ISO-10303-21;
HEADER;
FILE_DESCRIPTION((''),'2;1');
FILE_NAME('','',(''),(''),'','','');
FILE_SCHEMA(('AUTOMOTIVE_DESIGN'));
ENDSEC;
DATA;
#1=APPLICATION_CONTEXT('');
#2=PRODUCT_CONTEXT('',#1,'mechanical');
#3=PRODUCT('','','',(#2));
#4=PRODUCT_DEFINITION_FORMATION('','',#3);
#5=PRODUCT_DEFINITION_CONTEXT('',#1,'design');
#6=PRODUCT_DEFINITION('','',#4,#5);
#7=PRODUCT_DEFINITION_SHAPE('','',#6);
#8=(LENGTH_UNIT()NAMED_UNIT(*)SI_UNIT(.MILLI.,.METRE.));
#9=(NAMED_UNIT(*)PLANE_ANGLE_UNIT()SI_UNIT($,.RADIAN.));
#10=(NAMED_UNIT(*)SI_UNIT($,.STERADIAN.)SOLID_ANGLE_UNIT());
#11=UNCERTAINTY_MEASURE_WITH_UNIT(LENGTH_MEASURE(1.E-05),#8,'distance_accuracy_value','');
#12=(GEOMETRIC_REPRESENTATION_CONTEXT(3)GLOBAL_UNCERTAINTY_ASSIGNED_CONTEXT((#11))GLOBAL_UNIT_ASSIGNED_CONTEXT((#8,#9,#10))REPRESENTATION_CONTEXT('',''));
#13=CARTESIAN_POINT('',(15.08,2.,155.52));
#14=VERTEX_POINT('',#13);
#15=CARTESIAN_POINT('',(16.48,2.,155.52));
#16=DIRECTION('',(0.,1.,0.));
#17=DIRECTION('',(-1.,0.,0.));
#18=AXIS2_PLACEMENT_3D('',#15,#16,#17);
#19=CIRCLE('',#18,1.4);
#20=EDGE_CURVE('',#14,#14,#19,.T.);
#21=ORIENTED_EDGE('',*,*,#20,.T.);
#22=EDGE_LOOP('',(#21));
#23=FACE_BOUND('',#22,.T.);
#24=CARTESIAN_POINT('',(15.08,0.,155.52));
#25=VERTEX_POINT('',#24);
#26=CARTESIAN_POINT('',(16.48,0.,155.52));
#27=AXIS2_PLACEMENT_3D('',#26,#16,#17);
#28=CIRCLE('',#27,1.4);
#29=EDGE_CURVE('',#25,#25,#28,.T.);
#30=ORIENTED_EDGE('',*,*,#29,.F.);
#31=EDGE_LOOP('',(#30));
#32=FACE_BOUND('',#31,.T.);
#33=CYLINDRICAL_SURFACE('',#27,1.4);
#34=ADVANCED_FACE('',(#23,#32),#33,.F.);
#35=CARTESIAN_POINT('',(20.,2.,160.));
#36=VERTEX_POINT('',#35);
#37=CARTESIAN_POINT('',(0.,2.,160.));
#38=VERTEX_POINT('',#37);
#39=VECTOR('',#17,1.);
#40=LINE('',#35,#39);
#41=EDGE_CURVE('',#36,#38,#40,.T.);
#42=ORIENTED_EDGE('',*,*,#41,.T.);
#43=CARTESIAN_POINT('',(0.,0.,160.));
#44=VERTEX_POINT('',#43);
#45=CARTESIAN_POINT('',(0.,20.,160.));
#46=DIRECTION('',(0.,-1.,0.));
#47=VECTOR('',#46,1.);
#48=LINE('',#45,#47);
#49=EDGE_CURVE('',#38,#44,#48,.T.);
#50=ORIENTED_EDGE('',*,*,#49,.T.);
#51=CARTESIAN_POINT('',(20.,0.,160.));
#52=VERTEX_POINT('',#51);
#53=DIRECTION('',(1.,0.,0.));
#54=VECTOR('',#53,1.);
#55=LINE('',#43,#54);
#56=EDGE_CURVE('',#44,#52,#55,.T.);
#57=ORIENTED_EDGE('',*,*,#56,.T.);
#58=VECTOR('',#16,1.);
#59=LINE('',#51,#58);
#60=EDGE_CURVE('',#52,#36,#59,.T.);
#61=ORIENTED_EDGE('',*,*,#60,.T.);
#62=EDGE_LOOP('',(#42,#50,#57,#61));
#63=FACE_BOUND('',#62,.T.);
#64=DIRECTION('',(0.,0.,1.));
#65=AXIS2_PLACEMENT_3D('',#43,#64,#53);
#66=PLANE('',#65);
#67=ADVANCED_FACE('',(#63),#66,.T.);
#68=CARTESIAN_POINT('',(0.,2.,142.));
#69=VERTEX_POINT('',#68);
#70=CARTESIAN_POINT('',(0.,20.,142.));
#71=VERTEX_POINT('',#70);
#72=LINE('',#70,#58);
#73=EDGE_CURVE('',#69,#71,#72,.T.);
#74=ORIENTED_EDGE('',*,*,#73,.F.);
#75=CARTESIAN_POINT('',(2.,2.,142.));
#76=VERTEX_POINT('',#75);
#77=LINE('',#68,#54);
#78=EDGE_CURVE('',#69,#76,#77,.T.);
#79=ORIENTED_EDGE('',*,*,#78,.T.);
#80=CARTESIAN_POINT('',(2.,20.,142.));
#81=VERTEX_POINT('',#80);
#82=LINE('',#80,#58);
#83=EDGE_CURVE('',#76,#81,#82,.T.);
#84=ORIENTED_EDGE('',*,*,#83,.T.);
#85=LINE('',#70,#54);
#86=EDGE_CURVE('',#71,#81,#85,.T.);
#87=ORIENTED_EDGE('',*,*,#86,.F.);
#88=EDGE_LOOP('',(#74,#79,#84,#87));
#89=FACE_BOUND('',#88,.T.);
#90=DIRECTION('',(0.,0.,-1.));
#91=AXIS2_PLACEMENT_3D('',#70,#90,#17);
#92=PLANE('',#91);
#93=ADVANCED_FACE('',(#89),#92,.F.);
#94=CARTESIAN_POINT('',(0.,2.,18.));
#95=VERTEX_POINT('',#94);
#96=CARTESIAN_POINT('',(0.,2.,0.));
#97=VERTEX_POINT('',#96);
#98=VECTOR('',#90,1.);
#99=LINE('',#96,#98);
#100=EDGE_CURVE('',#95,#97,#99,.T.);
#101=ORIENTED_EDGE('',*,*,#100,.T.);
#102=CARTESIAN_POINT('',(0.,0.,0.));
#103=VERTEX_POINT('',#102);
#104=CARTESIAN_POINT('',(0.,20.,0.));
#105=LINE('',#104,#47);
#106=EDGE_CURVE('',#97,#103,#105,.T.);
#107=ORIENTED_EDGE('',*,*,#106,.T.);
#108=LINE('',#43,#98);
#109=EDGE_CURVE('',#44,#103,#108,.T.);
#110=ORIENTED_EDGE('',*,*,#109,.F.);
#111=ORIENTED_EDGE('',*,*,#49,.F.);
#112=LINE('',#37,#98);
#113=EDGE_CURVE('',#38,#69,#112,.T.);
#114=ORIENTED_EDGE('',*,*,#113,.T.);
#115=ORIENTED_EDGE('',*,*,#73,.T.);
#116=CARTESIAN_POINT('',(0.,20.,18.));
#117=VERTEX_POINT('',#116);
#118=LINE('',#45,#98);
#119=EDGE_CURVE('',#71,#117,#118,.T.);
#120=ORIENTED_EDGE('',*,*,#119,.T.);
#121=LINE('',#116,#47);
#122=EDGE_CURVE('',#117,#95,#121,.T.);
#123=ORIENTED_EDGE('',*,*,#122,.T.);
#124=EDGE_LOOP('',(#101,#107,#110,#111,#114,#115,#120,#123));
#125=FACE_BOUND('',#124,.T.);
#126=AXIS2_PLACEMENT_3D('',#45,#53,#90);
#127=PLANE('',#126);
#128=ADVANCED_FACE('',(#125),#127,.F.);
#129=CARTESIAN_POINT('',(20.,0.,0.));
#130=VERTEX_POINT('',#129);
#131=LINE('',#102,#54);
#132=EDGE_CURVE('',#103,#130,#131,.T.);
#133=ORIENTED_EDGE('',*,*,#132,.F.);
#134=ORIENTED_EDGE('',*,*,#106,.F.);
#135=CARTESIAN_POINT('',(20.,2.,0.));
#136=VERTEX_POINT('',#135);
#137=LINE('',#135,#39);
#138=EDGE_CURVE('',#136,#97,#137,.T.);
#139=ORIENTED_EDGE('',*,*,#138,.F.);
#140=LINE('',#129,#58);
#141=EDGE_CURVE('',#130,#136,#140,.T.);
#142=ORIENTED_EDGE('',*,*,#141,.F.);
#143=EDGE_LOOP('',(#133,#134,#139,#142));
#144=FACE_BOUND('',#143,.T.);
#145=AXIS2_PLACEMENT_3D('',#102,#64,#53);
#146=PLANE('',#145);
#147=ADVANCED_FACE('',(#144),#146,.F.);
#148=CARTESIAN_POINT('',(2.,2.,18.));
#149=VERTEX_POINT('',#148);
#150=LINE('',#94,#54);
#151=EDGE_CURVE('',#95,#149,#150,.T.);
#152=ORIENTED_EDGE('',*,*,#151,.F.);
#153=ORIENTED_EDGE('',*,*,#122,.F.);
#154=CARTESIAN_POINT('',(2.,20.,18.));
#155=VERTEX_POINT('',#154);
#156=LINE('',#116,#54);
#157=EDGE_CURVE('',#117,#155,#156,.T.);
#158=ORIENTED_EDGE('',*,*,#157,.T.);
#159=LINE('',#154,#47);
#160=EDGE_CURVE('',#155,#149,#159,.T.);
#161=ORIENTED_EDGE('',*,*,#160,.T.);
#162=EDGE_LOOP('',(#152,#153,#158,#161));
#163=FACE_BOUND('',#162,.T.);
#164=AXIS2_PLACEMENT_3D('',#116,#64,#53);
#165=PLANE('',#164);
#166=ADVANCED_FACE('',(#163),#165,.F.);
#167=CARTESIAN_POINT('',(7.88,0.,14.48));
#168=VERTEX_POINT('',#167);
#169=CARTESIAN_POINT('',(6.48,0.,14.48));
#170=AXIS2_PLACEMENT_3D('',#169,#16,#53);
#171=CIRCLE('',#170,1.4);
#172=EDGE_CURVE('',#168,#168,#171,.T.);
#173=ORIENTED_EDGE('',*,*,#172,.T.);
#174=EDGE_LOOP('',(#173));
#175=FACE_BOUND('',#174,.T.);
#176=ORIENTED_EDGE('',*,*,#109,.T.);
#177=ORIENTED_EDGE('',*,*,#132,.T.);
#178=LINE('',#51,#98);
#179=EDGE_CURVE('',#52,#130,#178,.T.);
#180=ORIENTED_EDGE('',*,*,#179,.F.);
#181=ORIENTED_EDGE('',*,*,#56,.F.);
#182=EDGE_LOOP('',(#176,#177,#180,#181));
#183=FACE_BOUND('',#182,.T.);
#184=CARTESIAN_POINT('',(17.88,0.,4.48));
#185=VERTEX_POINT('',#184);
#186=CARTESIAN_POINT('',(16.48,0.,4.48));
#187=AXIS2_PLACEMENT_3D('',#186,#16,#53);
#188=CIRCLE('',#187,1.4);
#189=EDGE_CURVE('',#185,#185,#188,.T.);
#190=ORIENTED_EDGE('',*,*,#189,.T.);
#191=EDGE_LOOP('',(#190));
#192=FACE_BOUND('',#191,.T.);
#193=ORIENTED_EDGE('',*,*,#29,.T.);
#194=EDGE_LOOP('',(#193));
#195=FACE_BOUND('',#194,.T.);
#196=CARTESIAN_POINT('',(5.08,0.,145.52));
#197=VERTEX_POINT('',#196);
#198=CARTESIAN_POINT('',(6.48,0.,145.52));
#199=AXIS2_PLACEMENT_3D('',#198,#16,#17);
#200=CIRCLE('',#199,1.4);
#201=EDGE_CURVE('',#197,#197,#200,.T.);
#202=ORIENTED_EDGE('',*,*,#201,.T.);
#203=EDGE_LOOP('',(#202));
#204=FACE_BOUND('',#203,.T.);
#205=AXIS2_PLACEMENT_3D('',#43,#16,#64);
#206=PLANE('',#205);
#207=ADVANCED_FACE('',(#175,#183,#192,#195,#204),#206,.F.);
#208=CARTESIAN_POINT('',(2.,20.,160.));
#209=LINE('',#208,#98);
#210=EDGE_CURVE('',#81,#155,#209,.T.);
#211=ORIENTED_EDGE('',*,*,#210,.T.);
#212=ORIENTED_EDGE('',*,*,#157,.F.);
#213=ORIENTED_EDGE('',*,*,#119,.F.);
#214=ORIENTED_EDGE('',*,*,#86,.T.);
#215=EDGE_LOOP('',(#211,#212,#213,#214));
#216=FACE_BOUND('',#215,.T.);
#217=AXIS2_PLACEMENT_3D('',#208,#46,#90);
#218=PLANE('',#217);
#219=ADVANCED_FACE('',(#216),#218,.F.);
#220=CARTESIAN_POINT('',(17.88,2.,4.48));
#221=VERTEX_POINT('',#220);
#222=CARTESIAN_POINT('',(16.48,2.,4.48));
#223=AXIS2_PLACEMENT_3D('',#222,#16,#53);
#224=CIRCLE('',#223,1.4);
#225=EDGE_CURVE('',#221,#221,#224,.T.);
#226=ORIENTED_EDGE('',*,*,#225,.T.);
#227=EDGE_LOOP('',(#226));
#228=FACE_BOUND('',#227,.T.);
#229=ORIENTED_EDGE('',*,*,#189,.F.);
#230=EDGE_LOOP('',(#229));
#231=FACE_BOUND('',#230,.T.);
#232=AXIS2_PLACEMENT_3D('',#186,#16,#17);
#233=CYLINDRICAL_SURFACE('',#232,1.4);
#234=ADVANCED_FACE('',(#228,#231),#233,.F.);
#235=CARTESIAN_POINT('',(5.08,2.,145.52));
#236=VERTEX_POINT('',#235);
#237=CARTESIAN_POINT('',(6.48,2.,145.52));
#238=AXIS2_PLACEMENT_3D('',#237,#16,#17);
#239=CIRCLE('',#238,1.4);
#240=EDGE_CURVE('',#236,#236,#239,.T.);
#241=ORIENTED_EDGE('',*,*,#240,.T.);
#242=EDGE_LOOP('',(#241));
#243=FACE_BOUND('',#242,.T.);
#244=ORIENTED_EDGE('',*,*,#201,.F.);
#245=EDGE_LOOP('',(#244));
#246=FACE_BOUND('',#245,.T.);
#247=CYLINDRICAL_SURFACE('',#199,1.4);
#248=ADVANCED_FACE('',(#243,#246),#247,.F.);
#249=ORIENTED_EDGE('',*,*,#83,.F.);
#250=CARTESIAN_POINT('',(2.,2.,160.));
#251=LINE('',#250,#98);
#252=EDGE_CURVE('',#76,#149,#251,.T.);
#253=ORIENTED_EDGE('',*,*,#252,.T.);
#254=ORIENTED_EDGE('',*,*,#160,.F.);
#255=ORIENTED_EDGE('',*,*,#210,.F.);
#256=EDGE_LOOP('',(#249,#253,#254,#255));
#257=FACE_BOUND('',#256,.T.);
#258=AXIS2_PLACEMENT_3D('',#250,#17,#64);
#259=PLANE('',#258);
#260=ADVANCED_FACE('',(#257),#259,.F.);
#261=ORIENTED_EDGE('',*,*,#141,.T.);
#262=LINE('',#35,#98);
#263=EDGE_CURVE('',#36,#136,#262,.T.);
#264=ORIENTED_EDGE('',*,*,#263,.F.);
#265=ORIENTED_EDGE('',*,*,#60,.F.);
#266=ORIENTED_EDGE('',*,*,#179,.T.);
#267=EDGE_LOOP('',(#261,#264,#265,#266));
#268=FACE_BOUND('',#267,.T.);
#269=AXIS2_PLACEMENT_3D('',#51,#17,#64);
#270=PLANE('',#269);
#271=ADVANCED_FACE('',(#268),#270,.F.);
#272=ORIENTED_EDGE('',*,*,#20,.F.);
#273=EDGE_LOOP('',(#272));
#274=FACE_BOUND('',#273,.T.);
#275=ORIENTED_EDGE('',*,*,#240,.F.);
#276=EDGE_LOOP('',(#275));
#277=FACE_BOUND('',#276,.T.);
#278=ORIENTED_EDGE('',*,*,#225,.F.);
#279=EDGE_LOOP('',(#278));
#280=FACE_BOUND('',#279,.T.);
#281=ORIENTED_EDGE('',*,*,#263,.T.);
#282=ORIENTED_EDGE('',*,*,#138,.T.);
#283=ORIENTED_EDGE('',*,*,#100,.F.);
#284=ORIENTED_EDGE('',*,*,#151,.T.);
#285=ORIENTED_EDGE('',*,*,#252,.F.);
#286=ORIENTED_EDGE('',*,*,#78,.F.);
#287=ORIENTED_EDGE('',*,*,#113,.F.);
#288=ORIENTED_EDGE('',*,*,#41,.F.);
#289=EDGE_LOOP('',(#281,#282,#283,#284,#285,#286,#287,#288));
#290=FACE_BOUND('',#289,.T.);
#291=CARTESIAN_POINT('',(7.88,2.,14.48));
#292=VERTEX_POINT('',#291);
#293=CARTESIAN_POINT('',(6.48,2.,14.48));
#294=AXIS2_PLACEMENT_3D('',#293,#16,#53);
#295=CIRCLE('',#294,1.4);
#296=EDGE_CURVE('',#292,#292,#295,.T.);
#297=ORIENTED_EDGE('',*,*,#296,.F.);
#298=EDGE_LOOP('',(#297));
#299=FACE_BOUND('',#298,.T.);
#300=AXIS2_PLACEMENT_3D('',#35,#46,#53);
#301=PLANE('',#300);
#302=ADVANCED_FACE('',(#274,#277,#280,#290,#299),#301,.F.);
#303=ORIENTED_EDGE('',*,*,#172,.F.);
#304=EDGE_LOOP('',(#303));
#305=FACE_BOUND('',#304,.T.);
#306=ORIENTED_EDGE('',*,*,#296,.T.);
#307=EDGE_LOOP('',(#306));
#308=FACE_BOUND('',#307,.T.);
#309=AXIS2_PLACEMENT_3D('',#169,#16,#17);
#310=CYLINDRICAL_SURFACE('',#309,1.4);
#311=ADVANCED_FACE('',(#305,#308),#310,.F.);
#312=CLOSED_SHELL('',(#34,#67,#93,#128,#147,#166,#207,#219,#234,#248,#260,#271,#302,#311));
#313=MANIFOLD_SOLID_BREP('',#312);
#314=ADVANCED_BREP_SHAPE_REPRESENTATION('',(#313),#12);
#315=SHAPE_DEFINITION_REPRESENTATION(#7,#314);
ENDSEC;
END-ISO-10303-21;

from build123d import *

# Parameters (mm, degrees)
BOSS_EXTRU_1_DEPTH      = 160
ESQUISSE2_W             = 18
ESQUISSE2_H             = 18
ENL_V_MAT_EXTRU_1_DEPTH = 3
ESQUISSE6_R             = 1.4
ENL_V_MAT_EXTRU_5_DEPTH = 3


with BuildPart() as part:
    # Esquisse1 → Boss.-Extru.1 (new body)
    with BuildSketch(Plane.XY):
        Polygon((0, 0), (20, 0), (20, 2), (2, 2), (2, 20), (0, 20), align=None)
    extrude(amount=BOSS_EXTRU_1_DEPTH)

    # Esquisse2 → Enlèv. mat.-Extru.1 (cut, through all)
    with BuildSketch(Plane(origin=(2, 0, 0), x_dir=(0, 0, -1), z_dir=(1, 0, 0))):
        with Locations((-151, 11)):
            Rectangle(ESQUISSE2_W, ESQUISSE2_H)
        with Locations((-9, 11)):
            Rectangle(ESQUISSE2_W, ESQUISSE2_H)
    extrude(amount=-ENL_V_MAT_EXTRU_1_DEPTH, mode=Mode.SUBTRACT)

    # Esquisse6 → Enlèv. mat.-Extru.5 (cut, through all)
    with BuildSketch(Plane(origin=(0, 2, 0), x_dir=(1, 0, 0), z_dir=(0, 1, 0))):
        with Locations((6.48, -145.52)):
            Circle(ESQUISSE6_R)
        with Locations((6.48, -14.48)):
            Circle(ESQUISSE6_R)
        with Locations((16.48, -155.52)):
            Circle(ESQUISSE6_R)
        with Locations((16.48, -4.48)):
            Circle(ESQUISSE6_R)
    extrude(amount=-ENL_V_MAT_EXTRU_5_DEPTH, mode=Mode.SUBTRACT)


solid = part.part
